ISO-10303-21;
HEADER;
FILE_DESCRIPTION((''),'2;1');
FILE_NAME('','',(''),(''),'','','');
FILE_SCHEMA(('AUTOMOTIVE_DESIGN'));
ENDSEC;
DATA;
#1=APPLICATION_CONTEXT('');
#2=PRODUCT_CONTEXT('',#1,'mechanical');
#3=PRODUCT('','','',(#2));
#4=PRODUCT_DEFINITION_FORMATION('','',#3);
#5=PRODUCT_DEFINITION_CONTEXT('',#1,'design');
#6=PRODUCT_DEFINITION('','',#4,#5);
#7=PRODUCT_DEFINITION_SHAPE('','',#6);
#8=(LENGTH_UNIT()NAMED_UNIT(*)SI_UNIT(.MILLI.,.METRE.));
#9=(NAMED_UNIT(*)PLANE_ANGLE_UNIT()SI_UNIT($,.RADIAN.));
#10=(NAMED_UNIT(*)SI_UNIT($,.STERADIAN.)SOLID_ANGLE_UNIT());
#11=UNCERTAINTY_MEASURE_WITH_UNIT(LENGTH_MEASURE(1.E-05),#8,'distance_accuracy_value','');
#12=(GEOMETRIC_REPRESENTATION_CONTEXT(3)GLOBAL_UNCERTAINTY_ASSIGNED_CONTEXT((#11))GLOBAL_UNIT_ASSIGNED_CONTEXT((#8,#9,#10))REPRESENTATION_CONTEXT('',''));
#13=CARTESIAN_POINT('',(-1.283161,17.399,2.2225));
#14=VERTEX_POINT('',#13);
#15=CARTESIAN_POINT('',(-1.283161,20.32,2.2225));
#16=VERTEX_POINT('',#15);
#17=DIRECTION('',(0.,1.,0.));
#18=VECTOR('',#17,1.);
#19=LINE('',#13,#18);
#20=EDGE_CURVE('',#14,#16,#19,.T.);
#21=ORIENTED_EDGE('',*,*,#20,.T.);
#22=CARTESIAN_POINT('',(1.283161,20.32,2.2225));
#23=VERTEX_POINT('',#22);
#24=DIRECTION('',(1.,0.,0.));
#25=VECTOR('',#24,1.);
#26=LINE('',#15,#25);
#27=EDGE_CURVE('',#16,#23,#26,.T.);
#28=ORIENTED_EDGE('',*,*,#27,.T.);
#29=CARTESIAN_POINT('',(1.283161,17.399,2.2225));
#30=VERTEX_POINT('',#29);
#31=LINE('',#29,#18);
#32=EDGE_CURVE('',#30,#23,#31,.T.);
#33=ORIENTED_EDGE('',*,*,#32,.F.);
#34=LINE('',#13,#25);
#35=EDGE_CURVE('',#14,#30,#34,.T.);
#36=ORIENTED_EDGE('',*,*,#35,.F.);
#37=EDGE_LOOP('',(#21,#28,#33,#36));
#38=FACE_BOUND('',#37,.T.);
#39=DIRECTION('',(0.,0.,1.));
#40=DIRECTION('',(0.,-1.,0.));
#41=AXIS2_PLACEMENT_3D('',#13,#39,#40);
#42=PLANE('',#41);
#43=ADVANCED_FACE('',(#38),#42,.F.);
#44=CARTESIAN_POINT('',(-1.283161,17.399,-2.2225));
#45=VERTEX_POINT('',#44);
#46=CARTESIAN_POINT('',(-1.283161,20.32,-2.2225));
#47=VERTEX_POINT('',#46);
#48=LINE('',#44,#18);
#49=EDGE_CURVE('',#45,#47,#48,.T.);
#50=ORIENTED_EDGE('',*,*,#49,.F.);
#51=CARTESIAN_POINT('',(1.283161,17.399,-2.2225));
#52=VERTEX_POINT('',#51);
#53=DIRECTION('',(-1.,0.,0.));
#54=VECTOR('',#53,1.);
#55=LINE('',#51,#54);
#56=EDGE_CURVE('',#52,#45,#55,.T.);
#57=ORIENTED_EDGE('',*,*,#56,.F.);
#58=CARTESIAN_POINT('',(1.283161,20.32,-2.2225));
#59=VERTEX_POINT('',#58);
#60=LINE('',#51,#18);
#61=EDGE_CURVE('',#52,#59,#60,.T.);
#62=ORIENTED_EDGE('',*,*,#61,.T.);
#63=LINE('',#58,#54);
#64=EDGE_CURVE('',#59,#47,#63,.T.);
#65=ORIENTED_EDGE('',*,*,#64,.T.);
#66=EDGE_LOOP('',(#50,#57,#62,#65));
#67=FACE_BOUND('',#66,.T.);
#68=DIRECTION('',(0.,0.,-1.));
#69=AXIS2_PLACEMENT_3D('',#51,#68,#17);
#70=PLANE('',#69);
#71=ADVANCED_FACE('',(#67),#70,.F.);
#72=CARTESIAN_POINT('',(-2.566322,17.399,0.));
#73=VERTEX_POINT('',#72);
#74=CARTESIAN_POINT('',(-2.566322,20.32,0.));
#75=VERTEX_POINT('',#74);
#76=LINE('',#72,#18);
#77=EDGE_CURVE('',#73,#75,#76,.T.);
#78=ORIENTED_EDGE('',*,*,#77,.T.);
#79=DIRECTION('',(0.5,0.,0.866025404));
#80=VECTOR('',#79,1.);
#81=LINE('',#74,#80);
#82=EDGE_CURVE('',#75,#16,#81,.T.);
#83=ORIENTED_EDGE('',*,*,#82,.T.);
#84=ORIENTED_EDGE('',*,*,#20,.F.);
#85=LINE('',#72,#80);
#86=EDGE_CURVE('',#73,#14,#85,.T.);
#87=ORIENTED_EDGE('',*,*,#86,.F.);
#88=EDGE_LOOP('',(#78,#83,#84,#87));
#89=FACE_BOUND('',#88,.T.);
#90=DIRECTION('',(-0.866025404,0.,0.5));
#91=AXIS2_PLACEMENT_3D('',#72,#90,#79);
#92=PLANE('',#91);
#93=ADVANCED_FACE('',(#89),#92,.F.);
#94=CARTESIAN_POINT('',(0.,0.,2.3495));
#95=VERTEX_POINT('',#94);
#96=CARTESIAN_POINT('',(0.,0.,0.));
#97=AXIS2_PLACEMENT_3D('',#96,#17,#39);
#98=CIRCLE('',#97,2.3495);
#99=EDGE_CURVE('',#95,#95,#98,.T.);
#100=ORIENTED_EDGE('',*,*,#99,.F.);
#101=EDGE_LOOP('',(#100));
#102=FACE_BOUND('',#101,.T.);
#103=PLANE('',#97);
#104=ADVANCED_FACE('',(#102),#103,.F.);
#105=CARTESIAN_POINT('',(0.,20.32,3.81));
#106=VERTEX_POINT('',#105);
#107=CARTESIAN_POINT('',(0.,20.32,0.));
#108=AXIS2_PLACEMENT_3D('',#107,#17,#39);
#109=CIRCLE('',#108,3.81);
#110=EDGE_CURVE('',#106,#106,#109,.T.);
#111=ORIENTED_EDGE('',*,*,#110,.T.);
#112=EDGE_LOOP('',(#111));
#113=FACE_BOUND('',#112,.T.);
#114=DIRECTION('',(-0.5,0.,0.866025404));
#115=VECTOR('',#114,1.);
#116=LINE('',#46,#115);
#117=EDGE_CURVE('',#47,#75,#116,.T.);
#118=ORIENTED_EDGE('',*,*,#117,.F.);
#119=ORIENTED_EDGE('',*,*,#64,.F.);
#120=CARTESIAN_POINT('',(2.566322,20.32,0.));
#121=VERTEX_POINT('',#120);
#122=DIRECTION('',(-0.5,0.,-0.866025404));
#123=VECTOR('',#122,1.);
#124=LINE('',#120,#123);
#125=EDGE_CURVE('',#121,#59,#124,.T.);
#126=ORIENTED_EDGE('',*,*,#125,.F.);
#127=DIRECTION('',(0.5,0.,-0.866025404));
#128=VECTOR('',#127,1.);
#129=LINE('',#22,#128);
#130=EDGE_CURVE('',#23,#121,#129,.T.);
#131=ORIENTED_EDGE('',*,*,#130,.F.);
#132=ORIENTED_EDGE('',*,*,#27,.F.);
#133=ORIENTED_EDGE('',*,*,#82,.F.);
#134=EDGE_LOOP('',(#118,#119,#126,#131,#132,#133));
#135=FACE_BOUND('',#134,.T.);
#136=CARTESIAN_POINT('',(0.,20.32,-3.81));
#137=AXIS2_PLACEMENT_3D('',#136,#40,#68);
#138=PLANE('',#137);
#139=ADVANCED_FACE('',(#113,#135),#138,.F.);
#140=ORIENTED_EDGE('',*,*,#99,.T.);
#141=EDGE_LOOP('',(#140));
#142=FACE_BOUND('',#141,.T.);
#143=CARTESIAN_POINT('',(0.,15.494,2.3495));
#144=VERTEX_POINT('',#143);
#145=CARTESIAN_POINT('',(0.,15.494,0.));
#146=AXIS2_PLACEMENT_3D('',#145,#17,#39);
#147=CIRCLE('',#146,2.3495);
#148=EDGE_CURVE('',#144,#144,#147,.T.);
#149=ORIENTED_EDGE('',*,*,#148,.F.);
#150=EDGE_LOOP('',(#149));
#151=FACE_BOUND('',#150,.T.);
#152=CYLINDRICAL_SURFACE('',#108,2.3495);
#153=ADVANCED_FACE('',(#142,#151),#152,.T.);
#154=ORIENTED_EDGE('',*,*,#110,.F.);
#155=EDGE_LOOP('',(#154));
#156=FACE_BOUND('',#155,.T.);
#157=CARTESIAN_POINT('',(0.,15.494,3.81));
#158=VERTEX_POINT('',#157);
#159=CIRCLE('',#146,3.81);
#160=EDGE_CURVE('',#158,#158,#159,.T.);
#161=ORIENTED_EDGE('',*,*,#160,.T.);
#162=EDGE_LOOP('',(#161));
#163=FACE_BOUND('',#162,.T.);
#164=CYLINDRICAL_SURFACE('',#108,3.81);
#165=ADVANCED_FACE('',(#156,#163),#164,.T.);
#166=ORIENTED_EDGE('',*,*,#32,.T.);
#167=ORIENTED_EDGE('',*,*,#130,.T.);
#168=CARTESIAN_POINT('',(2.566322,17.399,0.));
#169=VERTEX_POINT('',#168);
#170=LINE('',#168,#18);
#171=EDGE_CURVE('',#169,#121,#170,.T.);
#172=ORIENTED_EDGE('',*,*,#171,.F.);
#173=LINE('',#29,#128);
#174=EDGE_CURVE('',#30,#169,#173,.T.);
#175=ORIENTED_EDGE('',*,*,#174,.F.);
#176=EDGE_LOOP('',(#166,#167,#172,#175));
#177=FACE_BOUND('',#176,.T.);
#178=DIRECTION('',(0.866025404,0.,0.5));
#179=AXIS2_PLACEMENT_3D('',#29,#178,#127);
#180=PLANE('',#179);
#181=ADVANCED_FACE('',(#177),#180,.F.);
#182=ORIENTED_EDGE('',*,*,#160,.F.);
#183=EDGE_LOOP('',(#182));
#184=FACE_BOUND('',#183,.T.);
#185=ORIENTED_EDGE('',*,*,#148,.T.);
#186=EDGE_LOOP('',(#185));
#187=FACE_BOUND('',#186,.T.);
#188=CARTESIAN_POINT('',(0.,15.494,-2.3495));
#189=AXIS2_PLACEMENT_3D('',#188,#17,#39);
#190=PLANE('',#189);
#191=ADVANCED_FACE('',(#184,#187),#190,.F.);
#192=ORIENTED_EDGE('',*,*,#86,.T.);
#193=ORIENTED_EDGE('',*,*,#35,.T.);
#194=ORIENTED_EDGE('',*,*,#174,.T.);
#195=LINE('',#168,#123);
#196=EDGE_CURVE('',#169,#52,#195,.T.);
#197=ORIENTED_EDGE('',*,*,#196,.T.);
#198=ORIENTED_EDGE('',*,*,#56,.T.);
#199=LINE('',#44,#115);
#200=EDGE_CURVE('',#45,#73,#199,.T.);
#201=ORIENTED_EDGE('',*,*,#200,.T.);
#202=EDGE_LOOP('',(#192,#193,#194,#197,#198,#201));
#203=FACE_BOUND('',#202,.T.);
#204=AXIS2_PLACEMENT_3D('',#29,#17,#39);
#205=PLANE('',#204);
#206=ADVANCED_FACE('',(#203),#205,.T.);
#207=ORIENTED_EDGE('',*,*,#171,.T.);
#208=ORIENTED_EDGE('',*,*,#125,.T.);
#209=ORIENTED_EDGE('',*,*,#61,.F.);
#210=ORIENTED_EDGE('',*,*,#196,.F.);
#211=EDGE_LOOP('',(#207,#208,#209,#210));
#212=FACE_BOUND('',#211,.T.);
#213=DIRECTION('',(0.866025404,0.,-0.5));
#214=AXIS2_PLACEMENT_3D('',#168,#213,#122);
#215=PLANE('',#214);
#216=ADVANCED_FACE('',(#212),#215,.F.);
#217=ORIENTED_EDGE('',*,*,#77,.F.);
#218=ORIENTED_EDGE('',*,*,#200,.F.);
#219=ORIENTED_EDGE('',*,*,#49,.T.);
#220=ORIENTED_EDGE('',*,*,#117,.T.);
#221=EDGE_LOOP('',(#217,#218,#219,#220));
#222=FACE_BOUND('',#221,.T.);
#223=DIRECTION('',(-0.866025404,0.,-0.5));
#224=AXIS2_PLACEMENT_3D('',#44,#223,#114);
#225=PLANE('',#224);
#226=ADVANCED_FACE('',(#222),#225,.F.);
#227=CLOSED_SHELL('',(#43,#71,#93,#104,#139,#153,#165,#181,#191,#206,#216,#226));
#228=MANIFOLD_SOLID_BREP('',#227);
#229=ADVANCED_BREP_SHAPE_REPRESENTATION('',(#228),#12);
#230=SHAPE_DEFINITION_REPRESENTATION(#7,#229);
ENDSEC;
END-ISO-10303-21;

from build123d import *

# Parameters (mm, degrees)
CUT_EXTRUDE1_DEPTH = 2.921


with BuildPart() as part:
    # Sketch2 → Revolve1 (revolve)
    with BuildSketch(Plane(origin=(0, 0, 0), x_dir=(0, 0, -1), z_dir=(1, 0, 0)), mode=Mode.PRIVATE) as revolve1_sk:
        Polygon((0, 0), (2.3495, 0), (2.3495, 15.494), (3.81, 15.494), (3.81, 20.32), (0, 20.32), align=None)
    revolve(revolve1_sk.sketch.rotate(Axis((0, 20.32, 0), (0, -1, 0)), 180), axis=Axis((0, 20.32, 0), (0, -1, 0)))

    # Sketch3 → Cut-Extrude1 (cut)
    with BuildSketch(Plane(origin=(0, 20.32, 0), x_dir=(1, 0, 0), z_dir=(0, 1, 0))):
        Polygon((1.283160973, -2.2225), (2.566321947, 0), (1.283160973, 2.2225), (-1.283160973, 2.2225), (-2.566321947, 0), (-1.283160973, -2.2225), align=None)
    extrude(amount=-CUT_EXTRUDE1_DEPTH, mode=Mode.SUBTRACT)


solid = part.part
